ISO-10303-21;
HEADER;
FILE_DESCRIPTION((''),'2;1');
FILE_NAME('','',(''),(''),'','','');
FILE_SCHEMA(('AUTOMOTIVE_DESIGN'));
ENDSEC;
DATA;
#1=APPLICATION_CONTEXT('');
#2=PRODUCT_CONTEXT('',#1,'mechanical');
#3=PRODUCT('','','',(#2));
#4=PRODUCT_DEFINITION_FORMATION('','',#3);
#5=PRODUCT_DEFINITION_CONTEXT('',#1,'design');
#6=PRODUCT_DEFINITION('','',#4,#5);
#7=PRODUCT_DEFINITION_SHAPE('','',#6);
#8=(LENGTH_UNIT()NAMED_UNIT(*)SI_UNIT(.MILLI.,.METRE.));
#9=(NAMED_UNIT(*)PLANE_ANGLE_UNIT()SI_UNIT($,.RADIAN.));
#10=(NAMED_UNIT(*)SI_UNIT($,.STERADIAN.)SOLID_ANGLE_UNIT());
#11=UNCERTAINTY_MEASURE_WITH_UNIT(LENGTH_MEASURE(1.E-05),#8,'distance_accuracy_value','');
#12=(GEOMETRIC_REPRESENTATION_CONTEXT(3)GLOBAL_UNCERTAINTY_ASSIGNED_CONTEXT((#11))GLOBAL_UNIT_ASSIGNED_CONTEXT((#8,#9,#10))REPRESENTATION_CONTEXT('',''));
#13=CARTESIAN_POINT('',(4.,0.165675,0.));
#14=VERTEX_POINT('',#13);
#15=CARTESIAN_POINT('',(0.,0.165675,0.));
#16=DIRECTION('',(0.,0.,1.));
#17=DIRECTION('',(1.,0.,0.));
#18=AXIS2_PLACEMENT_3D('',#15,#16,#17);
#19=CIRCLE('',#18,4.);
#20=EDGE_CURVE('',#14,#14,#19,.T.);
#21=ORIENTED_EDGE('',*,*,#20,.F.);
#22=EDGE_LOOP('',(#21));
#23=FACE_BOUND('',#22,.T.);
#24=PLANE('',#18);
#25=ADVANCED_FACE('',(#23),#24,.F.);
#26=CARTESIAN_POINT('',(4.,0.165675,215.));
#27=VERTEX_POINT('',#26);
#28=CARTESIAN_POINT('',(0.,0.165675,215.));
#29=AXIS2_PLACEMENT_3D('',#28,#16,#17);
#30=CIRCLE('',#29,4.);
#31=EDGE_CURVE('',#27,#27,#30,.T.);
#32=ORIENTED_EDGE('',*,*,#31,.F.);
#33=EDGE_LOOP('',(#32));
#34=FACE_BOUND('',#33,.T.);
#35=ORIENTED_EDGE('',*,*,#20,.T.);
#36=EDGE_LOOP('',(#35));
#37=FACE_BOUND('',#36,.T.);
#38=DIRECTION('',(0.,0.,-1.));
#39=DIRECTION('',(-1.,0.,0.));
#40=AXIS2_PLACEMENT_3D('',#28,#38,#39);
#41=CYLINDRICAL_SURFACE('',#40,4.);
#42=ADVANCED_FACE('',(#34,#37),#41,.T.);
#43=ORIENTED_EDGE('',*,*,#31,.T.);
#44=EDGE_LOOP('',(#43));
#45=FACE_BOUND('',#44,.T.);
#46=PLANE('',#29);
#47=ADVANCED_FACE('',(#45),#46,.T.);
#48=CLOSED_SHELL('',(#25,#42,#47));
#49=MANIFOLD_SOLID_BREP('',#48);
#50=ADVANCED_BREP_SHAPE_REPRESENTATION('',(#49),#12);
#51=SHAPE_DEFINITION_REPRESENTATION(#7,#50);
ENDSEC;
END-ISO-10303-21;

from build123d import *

# Parameters (mm, degrees)
SKETCH_1_R      = 4
EXTRUDE_1_DEPTH = 215


with BuildPart() as part:
    # 草圖1 → 填料-伸長1 (new body)
    with BuildSketch(Plane.XY):
        with Locations((0, 0.165675446)):
            Circle(SKETCH_1_R)
    extrude(amount=EXTRUDE_1_DEPTH)


solid = part.part
